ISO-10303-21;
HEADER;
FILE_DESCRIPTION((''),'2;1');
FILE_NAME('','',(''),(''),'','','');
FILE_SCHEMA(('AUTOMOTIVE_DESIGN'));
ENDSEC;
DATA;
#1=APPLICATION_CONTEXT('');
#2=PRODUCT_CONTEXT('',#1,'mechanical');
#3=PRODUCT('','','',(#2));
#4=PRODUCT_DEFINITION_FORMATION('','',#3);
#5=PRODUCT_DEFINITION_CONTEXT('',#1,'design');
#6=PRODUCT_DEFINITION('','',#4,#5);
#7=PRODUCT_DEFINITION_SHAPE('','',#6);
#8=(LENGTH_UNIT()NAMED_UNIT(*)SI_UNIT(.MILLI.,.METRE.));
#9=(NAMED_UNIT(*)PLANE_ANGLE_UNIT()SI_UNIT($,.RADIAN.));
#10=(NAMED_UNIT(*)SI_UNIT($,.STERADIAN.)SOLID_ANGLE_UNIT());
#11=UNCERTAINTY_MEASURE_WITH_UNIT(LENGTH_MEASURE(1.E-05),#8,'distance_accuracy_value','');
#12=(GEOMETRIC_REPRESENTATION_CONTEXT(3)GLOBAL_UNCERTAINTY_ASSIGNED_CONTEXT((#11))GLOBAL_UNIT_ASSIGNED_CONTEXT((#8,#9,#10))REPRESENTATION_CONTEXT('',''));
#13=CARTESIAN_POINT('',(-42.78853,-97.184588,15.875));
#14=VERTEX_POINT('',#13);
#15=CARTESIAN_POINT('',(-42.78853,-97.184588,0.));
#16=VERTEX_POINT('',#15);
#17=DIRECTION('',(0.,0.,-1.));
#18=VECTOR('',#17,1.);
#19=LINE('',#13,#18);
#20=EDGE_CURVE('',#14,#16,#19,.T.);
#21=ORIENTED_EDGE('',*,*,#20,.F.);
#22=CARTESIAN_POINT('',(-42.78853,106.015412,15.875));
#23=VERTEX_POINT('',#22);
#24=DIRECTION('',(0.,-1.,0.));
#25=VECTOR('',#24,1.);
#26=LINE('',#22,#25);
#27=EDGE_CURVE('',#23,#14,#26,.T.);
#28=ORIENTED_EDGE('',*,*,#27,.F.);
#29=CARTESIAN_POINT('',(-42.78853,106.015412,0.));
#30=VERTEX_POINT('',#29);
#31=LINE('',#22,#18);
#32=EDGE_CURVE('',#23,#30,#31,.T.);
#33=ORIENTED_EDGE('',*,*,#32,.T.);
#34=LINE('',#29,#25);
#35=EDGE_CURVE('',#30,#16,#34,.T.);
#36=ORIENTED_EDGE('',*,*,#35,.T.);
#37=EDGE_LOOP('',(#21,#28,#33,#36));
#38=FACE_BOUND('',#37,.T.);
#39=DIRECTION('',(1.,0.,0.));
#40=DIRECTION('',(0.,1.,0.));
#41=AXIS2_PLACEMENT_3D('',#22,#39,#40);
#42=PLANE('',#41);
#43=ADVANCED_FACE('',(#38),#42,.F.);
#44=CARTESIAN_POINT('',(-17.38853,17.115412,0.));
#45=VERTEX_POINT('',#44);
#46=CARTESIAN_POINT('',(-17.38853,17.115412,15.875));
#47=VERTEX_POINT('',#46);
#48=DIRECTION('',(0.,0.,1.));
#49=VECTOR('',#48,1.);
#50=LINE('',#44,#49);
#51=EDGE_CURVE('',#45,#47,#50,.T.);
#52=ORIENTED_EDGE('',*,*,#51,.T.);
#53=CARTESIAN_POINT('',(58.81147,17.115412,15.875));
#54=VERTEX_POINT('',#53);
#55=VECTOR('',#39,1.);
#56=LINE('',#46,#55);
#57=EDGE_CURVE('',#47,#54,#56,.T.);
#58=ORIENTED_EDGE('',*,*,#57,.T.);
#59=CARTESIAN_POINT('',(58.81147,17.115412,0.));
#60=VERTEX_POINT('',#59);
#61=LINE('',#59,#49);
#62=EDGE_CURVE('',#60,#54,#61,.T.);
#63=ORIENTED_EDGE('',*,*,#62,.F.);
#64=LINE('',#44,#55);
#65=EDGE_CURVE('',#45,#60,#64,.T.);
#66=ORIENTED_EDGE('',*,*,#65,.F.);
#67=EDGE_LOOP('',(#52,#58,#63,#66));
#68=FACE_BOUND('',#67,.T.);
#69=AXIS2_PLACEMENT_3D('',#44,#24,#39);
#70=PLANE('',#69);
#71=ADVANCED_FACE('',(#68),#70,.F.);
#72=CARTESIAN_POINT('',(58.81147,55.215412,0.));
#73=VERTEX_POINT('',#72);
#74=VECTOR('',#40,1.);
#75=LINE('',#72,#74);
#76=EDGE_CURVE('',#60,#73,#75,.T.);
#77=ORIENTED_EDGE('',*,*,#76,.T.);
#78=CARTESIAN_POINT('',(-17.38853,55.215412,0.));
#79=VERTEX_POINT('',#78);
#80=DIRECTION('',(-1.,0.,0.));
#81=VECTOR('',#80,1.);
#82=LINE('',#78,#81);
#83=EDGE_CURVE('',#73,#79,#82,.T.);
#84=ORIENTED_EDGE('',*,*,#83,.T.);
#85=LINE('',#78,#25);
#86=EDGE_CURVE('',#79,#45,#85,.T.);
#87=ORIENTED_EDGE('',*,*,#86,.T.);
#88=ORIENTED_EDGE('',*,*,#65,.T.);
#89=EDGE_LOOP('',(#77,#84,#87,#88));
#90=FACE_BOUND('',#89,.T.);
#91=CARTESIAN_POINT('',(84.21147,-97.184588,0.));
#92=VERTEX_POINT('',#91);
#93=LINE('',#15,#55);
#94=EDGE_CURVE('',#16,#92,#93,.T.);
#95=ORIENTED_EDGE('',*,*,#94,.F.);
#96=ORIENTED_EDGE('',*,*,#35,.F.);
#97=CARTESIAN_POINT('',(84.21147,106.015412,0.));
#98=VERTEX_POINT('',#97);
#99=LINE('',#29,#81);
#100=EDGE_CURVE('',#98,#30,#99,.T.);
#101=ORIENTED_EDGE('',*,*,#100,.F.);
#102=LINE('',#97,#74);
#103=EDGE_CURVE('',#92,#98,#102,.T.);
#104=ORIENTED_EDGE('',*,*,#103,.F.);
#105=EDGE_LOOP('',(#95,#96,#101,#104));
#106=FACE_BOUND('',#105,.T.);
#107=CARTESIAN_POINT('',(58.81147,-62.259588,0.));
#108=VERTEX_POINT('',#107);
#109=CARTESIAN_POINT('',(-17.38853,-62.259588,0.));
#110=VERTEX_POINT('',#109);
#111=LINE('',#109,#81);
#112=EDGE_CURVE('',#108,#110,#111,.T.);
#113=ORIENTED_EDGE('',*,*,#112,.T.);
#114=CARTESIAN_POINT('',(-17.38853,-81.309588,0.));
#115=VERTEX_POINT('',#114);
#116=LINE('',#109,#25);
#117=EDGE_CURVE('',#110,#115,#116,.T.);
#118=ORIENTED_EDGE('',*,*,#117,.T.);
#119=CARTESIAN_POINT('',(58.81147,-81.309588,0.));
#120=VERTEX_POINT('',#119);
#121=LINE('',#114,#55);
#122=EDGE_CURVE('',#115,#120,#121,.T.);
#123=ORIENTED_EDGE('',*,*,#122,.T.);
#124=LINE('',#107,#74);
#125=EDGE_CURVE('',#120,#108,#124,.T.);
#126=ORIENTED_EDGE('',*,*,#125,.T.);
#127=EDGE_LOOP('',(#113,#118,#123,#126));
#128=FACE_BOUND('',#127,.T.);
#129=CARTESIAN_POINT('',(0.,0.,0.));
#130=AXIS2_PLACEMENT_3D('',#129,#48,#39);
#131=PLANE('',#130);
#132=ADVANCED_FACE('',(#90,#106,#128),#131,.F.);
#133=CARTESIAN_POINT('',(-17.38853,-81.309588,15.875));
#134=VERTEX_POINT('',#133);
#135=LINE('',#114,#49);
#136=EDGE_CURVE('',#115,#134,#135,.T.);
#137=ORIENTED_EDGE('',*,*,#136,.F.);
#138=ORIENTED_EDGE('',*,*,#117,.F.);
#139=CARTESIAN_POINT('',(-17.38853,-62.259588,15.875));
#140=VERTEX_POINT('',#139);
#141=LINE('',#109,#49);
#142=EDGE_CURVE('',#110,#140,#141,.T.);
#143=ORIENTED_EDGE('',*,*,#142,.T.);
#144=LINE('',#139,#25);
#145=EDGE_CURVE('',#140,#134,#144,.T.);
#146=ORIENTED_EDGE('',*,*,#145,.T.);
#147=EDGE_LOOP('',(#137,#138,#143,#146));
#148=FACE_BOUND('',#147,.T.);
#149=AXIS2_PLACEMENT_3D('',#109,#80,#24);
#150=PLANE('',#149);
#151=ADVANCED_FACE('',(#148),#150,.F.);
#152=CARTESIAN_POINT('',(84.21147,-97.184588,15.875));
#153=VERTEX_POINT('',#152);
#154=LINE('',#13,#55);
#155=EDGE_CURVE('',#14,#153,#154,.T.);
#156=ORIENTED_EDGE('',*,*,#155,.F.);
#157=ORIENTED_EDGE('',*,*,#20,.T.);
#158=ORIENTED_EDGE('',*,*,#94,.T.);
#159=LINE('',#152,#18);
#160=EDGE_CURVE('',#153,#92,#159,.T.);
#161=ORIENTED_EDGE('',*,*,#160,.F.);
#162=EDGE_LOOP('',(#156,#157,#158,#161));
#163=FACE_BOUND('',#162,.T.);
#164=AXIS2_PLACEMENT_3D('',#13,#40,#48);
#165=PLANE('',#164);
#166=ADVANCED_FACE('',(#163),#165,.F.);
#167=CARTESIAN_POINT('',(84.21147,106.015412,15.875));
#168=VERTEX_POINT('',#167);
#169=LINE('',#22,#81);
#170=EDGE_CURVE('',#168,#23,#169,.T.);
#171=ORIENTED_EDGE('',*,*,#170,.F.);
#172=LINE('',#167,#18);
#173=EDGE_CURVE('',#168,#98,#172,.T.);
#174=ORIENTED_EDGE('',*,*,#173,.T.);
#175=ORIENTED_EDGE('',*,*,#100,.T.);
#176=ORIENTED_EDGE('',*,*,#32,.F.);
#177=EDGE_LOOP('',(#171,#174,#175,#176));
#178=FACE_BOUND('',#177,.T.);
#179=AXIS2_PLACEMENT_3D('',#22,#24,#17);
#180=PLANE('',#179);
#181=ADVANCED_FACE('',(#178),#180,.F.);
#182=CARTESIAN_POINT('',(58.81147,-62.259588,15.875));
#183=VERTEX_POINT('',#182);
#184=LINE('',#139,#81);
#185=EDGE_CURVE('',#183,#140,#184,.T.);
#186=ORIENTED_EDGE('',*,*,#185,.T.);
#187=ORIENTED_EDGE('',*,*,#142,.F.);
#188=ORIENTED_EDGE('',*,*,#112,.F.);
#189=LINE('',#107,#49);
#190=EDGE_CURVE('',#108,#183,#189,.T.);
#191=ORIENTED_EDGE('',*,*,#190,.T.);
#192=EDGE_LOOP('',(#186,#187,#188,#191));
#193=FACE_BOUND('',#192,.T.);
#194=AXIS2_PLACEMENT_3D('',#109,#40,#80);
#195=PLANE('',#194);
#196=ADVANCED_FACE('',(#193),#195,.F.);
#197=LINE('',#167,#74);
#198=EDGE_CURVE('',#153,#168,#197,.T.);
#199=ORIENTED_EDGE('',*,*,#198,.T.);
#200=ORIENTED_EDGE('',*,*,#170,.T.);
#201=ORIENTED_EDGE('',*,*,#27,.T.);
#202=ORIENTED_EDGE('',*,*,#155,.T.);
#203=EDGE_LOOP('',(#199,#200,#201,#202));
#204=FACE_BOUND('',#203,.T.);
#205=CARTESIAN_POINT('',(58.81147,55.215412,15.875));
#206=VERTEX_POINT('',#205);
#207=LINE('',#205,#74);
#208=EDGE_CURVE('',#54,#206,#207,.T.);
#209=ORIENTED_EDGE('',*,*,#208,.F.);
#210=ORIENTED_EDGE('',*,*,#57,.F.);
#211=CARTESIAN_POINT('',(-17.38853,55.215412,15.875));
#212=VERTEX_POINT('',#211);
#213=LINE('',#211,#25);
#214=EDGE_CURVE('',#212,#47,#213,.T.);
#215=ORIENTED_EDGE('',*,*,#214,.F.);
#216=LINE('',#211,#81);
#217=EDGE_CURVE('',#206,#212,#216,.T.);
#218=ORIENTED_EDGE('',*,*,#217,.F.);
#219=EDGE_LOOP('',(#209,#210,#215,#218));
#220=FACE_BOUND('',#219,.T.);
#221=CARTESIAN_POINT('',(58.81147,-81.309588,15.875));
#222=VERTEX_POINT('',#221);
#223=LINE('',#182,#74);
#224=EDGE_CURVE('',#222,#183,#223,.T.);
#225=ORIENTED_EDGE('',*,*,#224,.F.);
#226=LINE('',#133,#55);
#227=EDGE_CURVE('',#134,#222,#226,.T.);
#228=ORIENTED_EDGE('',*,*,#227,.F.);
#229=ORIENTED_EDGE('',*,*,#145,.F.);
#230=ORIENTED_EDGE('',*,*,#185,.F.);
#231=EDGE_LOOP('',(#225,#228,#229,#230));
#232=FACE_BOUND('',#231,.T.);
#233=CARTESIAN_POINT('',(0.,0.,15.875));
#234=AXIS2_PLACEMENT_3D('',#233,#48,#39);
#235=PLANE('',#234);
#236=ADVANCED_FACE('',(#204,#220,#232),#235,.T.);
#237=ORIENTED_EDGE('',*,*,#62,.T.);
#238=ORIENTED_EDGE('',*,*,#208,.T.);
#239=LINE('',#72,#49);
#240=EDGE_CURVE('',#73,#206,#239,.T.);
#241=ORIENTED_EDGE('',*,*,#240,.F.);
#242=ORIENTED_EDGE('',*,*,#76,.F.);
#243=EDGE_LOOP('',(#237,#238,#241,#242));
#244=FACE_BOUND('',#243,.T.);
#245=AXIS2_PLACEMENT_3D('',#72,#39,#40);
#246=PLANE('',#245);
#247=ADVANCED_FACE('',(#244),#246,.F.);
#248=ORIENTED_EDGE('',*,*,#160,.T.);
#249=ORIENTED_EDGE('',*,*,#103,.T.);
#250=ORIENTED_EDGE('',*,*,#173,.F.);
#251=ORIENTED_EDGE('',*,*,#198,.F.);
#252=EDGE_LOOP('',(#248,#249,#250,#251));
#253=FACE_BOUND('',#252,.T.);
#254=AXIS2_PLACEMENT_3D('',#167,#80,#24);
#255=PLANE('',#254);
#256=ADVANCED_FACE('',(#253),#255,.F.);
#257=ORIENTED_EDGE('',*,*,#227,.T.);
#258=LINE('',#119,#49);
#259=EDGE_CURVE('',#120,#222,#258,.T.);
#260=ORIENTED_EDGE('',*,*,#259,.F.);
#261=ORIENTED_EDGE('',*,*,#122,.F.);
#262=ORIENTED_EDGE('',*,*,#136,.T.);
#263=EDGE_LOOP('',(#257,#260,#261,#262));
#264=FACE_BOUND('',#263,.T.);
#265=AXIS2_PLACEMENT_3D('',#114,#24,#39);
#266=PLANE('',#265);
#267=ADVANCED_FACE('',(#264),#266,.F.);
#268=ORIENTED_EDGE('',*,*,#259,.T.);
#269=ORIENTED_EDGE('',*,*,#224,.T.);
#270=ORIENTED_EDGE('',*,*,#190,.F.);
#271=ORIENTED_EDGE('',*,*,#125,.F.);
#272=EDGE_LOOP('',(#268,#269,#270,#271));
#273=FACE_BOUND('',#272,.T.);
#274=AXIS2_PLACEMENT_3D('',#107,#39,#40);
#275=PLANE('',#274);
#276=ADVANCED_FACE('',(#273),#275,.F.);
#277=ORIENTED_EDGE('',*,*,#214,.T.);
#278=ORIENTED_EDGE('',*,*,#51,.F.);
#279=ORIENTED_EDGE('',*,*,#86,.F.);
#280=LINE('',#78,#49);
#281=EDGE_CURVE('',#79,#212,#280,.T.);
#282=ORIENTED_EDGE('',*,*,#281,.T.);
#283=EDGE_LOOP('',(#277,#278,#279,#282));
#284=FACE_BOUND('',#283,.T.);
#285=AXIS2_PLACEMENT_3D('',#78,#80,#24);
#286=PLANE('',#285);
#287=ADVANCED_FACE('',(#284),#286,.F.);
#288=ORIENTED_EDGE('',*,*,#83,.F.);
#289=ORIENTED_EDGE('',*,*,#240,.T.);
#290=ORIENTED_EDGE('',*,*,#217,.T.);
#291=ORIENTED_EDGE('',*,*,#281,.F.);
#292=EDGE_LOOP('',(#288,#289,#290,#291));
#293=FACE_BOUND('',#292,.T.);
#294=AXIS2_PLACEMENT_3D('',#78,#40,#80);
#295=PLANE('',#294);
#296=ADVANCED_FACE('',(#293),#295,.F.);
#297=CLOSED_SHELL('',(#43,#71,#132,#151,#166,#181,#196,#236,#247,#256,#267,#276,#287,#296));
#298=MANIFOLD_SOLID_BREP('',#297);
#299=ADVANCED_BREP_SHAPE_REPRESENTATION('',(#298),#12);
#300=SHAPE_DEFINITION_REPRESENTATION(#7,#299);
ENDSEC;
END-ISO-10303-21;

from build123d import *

# Parameters (mm, degrees)
SKETCH1_W           = 127
SKETCH1_H           = 203.2
BOSS_EXTRUDE1_DEPTH = 15.875
SKETCH2_W           = 76.2
SKETCH2_H           = 38.1
SKETCH2_H_2         = 19.05
CUT_EXTRUDE2_DEPTH  = 16.875


with BuildPart() as part:
    # Sketch1 → Boss-Extrude1 (new body)
    with BuildSketch(Plane.XY):
        with Locations((20.711469534, 4.415412186)):
            Rectangle(SKETCH1_W, SKETCH1_H)
    extrude(amount=BOSS_EXTRUDE1_DEPTH)

    # Sketch2 → Cut-Extrude2 (cut, through all)
    with BuildSketch(Plane.XY.offset(15.875)):
        with Locations((20.711469534, 36.165412186)):
            Rectangle(SKETCH2_W, SKETCH2_H)
        with Locations((20.711469534, -71.784587814)):
            Rectangle(SKETCH2_W, SKETCH2_H_2)
    extrude(amount=-CUT_EXTRUDE2_DEPTH, mode=Mode.SUBTRACT)


solid = part.part
